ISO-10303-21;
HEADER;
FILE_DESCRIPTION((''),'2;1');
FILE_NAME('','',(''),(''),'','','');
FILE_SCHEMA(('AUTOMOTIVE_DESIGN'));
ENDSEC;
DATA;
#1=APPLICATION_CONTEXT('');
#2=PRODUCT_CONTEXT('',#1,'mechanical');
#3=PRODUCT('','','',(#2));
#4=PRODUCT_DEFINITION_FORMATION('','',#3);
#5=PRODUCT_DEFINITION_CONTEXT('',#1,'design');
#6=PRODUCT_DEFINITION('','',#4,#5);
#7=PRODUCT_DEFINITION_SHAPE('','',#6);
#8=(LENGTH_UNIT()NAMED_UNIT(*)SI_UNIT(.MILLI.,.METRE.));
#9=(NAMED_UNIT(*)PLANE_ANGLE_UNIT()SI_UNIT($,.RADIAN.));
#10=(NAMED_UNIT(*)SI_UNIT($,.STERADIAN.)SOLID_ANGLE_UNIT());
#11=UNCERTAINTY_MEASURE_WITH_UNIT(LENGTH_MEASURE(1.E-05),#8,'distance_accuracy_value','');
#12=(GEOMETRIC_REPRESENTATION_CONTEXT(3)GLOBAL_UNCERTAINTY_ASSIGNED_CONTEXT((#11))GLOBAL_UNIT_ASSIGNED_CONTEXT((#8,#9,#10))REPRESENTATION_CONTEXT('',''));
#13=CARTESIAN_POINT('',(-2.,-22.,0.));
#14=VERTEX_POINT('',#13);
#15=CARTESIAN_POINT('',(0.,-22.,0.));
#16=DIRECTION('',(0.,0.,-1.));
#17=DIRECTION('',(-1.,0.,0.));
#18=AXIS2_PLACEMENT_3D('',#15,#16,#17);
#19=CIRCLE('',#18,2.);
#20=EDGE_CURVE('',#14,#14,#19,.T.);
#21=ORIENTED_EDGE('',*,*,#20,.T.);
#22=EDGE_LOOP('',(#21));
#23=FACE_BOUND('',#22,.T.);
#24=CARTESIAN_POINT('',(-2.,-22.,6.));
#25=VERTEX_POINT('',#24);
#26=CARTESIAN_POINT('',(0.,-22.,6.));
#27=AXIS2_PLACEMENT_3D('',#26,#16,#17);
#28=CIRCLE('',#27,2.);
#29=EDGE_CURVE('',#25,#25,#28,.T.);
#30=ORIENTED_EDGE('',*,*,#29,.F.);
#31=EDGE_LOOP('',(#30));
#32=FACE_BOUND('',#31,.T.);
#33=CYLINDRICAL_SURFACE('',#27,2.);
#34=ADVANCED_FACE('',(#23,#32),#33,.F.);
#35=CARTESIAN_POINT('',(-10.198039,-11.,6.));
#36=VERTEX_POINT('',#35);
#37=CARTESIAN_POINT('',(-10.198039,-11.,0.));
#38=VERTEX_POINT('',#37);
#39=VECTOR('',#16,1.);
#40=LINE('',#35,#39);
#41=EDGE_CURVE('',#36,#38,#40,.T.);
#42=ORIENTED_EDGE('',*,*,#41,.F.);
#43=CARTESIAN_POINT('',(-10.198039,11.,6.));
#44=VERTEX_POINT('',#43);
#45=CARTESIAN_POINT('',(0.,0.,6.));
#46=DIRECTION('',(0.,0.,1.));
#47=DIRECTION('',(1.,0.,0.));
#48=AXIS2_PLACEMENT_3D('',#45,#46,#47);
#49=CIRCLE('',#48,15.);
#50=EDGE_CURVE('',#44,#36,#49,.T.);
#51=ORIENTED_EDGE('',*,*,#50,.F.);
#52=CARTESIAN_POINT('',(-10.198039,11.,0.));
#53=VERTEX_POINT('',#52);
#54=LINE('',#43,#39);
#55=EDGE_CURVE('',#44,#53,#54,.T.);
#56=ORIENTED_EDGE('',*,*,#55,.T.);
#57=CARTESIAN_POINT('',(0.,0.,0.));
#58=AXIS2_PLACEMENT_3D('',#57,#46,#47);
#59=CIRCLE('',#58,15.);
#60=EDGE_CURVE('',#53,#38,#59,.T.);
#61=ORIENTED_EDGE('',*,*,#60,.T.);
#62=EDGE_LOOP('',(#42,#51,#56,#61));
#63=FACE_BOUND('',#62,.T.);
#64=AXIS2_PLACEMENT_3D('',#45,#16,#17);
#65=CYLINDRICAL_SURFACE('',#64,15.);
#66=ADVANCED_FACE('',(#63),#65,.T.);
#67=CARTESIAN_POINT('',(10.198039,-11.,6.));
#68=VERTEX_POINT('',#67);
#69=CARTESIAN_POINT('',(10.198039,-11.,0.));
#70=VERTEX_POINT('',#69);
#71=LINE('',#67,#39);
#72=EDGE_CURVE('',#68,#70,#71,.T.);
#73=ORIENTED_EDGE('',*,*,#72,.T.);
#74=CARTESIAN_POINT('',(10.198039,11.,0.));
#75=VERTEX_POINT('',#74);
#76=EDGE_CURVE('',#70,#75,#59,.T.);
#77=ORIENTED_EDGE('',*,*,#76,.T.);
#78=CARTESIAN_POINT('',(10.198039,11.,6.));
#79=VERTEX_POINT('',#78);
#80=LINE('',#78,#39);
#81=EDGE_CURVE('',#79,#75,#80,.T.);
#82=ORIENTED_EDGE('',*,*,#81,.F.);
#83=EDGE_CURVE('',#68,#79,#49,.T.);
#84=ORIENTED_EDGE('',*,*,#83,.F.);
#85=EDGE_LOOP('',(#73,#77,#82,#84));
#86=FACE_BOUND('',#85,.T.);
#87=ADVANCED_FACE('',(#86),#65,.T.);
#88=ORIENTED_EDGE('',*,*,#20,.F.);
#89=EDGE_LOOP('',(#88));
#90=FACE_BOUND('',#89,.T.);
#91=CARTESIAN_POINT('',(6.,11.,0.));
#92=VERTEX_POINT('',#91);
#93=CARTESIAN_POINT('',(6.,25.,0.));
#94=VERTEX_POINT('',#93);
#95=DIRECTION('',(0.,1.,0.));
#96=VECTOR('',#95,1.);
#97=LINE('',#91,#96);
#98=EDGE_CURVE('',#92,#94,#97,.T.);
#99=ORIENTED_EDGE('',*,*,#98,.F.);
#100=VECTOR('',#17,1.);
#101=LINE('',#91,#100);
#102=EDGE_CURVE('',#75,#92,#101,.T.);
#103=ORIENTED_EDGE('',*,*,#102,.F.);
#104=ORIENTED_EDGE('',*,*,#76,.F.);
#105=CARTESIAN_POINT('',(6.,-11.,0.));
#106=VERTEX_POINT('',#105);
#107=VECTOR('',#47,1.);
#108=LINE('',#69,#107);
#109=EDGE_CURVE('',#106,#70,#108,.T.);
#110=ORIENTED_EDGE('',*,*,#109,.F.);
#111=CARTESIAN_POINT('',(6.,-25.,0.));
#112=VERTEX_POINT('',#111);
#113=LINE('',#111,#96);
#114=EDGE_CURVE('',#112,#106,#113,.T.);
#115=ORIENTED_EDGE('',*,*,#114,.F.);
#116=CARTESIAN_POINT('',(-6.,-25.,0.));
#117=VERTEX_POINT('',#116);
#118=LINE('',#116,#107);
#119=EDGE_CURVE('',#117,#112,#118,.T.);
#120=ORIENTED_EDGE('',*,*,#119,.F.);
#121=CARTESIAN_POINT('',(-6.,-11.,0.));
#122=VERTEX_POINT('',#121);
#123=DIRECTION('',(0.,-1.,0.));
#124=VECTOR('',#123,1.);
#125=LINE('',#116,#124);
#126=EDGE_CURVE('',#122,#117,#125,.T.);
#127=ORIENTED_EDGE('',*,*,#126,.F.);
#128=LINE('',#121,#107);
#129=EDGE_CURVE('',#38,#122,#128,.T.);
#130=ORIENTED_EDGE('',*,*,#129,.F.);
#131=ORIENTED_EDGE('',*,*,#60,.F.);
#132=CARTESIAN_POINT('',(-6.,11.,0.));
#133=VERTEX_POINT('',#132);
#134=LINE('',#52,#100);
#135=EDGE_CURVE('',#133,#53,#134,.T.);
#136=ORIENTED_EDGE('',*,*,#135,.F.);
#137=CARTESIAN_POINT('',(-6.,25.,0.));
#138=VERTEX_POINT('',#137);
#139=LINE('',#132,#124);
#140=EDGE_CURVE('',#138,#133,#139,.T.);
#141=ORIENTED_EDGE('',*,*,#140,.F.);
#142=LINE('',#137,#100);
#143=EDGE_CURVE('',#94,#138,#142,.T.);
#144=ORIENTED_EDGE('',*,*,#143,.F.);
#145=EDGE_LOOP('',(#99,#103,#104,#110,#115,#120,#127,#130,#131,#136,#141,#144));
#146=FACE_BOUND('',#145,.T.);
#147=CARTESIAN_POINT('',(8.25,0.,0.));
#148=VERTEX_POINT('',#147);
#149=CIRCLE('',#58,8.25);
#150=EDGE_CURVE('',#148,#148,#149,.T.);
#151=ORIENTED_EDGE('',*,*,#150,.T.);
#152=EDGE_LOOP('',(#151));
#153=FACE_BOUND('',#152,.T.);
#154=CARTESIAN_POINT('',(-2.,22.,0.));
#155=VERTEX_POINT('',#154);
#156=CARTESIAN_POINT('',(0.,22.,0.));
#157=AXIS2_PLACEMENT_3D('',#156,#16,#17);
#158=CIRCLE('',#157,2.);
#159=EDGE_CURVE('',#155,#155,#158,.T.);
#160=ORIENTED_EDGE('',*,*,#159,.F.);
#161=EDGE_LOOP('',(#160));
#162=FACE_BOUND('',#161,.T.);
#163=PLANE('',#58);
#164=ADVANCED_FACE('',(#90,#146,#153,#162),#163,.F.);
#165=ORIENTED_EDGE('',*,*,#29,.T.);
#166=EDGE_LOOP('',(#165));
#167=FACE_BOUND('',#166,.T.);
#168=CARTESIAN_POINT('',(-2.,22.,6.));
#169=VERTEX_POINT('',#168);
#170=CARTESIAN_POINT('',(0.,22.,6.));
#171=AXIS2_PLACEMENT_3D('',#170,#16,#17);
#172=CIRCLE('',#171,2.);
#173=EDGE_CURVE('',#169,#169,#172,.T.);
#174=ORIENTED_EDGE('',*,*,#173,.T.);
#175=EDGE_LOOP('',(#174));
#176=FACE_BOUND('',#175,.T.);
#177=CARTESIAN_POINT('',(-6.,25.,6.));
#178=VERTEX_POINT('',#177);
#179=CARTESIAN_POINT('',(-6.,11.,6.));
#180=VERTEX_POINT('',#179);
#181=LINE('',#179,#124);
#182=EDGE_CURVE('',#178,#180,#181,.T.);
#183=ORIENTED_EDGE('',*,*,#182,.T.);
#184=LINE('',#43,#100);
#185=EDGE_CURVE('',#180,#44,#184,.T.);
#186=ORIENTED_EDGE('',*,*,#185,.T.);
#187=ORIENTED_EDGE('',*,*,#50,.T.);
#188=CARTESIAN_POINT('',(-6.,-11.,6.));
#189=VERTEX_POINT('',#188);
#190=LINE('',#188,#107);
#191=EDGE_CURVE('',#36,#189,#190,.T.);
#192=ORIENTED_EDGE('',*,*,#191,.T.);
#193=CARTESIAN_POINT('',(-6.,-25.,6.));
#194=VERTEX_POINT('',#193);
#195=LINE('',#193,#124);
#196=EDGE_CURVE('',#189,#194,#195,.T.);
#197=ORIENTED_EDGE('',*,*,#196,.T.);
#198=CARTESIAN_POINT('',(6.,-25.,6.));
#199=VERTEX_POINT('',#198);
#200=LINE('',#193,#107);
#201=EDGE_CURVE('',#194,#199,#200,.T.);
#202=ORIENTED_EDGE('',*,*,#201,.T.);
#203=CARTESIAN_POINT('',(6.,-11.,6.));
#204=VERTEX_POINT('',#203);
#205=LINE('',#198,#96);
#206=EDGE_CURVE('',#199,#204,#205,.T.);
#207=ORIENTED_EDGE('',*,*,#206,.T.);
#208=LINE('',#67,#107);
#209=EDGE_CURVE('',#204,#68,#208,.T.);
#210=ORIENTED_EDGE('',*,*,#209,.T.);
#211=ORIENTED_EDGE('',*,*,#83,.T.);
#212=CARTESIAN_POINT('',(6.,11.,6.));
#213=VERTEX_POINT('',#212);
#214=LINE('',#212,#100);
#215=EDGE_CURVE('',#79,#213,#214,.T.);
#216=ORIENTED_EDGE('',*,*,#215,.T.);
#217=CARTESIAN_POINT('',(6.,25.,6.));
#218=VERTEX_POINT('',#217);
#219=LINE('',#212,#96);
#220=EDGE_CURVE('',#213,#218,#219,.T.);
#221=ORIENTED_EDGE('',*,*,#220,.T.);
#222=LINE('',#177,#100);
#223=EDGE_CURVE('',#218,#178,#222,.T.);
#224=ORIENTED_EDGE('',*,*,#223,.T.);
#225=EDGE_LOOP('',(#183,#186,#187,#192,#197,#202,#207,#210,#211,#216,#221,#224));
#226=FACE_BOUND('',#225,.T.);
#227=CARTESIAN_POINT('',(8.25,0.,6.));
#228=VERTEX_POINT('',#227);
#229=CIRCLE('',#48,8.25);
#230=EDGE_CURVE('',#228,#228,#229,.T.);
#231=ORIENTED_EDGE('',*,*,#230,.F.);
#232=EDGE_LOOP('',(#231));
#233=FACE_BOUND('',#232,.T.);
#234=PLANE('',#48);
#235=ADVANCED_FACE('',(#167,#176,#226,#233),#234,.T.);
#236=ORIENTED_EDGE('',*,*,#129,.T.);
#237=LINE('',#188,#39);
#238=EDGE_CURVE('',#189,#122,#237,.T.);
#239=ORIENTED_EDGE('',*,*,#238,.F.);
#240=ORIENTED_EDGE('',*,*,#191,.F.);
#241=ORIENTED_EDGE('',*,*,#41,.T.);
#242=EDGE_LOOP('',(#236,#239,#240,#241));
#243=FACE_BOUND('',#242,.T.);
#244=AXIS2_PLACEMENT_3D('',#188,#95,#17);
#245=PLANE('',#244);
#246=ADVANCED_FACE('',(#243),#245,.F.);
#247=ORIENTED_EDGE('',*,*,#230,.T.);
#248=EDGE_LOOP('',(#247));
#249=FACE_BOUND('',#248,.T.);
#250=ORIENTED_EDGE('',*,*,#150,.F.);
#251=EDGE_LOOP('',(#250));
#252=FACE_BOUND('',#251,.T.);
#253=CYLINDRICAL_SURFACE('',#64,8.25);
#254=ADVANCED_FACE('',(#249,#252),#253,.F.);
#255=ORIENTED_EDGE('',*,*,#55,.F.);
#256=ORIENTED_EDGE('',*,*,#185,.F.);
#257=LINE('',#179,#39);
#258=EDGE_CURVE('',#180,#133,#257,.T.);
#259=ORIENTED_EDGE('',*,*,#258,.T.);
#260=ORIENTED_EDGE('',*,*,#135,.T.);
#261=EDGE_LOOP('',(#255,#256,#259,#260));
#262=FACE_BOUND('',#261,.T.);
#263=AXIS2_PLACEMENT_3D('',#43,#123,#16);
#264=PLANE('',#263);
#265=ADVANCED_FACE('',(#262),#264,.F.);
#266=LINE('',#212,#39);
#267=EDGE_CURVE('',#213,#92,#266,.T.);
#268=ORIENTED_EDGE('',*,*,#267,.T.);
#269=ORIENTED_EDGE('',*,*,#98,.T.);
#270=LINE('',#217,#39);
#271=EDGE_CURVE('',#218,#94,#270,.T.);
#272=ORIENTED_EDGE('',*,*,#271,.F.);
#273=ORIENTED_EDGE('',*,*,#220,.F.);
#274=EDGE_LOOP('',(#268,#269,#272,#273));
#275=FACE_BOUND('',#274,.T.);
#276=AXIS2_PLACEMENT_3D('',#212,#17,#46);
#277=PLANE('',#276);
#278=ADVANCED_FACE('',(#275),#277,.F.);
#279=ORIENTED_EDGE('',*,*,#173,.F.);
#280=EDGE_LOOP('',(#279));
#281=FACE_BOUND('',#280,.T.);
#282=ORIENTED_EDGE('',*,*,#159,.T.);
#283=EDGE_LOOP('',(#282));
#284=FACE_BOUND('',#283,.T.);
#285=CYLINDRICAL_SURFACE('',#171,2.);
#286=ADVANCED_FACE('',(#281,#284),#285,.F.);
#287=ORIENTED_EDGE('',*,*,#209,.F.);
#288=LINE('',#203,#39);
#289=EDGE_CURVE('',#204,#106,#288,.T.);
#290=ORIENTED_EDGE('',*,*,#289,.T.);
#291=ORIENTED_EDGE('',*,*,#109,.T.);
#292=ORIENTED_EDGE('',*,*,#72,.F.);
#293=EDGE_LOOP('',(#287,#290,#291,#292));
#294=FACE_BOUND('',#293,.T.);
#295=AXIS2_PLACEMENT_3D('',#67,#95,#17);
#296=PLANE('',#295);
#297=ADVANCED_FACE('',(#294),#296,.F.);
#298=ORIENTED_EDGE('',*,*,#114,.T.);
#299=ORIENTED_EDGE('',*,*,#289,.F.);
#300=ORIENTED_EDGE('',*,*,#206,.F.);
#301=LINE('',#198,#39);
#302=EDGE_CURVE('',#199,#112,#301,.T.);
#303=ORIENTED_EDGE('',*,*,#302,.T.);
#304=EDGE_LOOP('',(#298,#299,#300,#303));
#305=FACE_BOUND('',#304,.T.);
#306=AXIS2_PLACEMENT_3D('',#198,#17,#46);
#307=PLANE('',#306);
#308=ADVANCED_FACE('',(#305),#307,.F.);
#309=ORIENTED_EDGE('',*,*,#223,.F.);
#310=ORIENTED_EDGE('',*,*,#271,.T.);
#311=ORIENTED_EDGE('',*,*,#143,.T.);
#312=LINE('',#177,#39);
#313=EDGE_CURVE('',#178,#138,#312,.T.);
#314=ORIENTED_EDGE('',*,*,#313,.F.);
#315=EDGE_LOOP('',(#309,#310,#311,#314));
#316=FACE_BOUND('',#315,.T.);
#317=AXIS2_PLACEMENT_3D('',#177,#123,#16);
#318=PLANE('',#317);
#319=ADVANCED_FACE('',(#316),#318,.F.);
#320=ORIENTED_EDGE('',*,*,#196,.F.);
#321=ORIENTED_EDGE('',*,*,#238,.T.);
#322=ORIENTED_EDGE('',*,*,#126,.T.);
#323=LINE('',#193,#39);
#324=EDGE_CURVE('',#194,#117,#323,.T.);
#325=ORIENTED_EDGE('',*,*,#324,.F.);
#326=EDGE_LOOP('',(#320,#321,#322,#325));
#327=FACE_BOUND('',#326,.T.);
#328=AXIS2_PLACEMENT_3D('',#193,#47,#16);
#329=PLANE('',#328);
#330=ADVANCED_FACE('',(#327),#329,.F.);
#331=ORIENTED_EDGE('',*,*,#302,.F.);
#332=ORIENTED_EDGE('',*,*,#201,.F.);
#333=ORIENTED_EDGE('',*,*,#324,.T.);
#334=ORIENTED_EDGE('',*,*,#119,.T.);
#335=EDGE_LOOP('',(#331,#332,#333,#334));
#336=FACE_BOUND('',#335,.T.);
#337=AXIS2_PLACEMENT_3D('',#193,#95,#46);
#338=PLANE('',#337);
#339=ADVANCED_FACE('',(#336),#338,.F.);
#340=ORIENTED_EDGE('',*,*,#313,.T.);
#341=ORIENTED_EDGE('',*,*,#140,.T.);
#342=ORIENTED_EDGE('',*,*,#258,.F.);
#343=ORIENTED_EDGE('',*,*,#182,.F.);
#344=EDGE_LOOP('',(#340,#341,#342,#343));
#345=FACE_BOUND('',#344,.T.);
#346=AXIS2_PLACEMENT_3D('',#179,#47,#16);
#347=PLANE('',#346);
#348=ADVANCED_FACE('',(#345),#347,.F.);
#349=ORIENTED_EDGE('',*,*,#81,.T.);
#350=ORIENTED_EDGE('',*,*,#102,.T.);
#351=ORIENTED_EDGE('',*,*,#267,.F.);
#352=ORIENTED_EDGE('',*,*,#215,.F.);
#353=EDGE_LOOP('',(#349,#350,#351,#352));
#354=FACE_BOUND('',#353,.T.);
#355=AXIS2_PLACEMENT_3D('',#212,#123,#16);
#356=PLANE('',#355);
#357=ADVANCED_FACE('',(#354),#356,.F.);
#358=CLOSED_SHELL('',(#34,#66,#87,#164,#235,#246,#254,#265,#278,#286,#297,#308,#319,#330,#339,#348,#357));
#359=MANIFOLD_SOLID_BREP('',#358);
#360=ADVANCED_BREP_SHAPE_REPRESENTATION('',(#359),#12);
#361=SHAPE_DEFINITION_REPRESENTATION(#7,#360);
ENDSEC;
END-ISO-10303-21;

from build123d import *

# Parameters (mm, degrees)
SKETCH1_R           = 8.25
BOSS_EXTRUDE1_DEPTH = 6
SKETCH3_R           = 2
CUT_EXTRUDE1_DEPTH  = 30.765752132


with BuildPart() as part:
    # Sketch1 → Boss-Extrude1 (new body)
    with BuildSketch(Plane.XY):
        with BuildLine():
            Line((6, -25), (6, -11))
            Line((6, -11), (10.198039027, -11))
            ThreePointArc((10.198039027, -11), (15, 0), (10.198039027, 11))
            Line((10.198039027, 11), (6, 11))
            Line((6, 11), (6, 25))
            Line((6, 25), (-6, 25))
            Line((-6, 25), (-6, 11))
            Line((-6, 11), (-10.198039027, 11))
            ThreePointArc((-10.198039027, 11), (-15, 0), (-10.198039027, -11))
            Line((-10.198039027, -11), (-6, -11))
            Line((-6, -11), (-6, -25))
            Line((-6, -25), (6, -25))
        make_face()
        Circle(SKETCH1_R, mode=Mode.SUBTRACT)
    extrude(amount=BOSS_EXTRUDE1_DEPTH)

    # Sketch3 → Cut-Extrude1 (cut, through all)
    with BuildSketch(Plane(origin=(0, 0, 0), x_dir=(-1, 0, 0), z_dir=(0, 0, -1))):
        with Locations((0, 22)):
            Circle(SKETCH3_R)
        with Locations((0, -22)):
            Circle(SKETCH3_R)
    extrude(amount=-CUT_EXTRUDE1_DEPTH, mode=Mode.SUBTRACT)


solid = part.part
